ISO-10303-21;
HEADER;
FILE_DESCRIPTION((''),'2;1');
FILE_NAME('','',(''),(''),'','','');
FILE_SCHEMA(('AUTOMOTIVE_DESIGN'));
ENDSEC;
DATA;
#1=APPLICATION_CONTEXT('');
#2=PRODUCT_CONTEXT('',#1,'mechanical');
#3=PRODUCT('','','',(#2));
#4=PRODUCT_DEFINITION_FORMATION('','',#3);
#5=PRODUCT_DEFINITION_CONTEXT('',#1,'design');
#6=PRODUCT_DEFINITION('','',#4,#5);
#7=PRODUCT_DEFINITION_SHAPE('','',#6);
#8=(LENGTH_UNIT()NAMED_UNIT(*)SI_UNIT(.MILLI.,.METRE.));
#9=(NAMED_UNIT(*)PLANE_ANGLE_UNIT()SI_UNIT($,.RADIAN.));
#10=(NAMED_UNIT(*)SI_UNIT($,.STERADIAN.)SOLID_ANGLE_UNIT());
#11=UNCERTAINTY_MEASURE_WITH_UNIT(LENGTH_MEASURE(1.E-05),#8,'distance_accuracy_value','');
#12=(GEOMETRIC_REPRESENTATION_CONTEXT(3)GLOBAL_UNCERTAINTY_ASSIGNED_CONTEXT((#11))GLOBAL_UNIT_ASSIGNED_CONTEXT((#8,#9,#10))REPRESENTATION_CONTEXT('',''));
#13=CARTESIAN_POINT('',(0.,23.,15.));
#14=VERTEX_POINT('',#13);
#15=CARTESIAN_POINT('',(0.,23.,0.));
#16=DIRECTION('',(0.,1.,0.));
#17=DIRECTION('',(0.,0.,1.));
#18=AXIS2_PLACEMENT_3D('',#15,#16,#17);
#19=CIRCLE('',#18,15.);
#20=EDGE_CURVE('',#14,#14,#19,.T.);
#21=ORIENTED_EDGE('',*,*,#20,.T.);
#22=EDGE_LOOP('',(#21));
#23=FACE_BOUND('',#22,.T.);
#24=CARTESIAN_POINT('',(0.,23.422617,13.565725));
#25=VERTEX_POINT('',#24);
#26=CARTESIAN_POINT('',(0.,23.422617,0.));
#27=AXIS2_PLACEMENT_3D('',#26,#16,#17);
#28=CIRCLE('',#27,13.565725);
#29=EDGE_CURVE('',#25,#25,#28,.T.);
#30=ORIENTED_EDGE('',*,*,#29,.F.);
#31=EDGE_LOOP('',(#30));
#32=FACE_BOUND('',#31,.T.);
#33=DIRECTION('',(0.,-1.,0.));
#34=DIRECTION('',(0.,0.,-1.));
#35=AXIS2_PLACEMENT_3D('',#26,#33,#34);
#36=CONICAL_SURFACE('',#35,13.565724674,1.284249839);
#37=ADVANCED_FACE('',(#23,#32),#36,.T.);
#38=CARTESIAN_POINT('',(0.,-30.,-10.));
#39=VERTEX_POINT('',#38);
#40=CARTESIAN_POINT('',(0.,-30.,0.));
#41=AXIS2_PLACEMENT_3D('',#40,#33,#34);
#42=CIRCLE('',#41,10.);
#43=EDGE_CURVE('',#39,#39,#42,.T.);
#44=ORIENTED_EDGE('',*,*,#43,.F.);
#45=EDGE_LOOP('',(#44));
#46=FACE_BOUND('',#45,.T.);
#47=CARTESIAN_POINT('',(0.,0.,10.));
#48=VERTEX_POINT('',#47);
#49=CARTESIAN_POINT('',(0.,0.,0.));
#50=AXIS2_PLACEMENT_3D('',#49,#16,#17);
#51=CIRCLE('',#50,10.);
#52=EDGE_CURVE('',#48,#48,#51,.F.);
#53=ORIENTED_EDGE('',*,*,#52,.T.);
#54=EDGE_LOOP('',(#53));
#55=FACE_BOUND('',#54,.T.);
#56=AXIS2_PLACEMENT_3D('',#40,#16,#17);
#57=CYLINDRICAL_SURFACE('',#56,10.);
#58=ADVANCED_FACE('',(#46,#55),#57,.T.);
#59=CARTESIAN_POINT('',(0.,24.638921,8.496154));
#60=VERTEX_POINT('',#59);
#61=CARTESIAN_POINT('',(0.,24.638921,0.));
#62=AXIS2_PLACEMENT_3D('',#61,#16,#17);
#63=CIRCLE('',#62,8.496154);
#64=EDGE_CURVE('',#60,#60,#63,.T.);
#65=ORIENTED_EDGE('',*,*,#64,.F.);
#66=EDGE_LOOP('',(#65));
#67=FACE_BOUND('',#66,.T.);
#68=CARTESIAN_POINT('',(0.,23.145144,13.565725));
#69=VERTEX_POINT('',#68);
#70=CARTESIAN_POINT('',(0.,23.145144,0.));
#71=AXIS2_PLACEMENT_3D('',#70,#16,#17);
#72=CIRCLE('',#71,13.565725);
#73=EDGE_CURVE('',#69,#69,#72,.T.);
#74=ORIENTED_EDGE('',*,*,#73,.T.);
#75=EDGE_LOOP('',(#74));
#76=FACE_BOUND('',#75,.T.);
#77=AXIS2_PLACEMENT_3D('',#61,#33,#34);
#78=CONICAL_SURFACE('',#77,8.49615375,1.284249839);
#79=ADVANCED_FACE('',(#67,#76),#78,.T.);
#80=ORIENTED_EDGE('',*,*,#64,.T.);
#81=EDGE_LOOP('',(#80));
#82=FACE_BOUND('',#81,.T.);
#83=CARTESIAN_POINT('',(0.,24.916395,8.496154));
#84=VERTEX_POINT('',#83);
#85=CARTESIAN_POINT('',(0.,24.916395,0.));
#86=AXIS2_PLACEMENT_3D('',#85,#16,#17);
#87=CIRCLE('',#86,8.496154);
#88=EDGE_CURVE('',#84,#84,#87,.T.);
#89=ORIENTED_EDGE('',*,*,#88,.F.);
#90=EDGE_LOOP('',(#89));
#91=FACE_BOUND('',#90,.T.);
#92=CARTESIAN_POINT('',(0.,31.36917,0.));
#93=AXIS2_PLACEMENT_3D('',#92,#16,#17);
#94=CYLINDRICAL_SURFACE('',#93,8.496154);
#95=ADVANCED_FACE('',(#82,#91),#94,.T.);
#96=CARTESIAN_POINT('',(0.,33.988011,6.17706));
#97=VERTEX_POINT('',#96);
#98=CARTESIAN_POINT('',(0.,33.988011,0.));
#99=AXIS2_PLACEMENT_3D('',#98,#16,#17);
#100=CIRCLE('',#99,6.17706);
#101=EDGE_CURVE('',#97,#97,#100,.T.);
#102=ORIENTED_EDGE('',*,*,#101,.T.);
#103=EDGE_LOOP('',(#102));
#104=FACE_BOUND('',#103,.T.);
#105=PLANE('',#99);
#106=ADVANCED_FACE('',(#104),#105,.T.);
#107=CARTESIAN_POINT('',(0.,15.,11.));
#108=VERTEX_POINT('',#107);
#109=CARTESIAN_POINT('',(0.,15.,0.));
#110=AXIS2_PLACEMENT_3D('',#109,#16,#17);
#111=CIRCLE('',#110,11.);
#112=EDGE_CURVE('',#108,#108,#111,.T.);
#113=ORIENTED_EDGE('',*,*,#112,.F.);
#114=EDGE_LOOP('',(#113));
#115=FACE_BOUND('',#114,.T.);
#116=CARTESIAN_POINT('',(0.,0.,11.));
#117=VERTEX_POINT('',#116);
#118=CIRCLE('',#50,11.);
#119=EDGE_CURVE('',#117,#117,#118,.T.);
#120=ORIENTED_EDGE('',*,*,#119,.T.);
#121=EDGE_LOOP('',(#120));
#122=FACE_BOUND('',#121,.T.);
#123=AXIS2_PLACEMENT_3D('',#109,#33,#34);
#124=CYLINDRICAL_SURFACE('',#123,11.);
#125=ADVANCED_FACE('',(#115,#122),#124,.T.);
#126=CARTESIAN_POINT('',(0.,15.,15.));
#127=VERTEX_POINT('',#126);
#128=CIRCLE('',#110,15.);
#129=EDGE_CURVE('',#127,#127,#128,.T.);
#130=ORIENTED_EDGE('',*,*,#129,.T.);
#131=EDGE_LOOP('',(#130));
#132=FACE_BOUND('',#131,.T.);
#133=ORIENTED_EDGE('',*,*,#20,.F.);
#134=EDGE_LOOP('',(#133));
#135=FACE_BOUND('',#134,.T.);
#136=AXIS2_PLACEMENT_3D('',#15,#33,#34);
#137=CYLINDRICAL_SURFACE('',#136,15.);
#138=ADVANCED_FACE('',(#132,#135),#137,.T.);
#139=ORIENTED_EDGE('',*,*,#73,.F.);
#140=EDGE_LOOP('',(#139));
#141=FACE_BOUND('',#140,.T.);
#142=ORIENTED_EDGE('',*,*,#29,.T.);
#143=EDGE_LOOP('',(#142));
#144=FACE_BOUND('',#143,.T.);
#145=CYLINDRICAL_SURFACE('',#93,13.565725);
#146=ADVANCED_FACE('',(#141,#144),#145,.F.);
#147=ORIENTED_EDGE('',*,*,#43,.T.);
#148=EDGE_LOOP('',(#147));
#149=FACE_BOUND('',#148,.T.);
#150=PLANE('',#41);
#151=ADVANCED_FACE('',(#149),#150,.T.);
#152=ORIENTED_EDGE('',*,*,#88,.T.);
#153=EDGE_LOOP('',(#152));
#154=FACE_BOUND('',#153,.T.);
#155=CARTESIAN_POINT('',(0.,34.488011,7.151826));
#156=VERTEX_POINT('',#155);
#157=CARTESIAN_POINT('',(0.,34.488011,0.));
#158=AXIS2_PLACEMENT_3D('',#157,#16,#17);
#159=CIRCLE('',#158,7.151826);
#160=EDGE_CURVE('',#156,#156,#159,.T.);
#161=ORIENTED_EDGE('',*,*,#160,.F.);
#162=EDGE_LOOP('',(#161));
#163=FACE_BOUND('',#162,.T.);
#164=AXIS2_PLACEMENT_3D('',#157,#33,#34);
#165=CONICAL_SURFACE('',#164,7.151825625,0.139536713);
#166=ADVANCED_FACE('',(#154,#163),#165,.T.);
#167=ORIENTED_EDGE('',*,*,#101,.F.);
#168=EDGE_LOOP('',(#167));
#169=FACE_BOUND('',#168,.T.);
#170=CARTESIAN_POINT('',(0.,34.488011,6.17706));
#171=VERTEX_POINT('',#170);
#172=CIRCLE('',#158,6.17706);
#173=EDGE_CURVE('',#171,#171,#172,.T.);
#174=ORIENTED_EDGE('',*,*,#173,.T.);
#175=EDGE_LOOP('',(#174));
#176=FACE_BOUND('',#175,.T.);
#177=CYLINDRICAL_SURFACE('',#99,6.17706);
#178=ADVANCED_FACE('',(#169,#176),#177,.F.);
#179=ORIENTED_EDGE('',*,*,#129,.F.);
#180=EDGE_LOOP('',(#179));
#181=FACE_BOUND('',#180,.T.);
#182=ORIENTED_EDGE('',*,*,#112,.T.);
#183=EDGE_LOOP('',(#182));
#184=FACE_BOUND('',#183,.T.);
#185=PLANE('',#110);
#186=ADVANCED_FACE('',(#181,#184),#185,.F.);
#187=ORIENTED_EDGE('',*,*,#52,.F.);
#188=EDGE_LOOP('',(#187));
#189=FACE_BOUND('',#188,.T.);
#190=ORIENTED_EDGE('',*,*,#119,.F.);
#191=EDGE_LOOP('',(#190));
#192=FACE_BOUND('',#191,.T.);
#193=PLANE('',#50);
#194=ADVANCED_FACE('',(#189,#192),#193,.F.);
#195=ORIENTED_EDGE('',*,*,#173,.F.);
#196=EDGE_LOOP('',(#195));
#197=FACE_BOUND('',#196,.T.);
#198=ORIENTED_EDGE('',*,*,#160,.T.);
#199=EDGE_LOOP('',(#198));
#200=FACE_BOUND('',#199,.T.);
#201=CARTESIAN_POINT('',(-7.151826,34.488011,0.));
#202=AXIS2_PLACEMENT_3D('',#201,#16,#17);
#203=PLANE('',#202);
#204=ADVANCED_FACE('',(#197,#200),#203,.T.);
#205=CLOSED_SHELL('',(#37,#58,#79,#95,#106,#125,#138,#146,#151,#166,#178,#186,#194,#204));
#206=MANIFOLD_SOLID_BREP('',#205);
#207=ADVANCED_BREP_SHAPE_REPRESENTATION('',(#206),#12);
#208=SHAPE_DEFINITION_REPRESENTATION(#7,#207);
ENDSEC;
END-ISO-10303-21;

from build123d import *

# Parameters (mm, degrees)
SKETCH1_R           = 11
BOSS_EXTRUDE1_DEPTH = 15
SKETCH2_R           = 15
BOSS_EXTRUDE2_DEPTH = 8
SKETCH4_R           = 6.177060042
CUT_EXTRUDE1_DEPTH  = 0.5
SKETCH5_R           = 10
BOSS_EXTRUDE3_DEPTH = 30


with BuildPart() as part:
    # Sketch1 → Boss-Extrude1 (new body)
    with BuildSketch(Plane(origin=(0, 0, 0), x_dir=(1, 0, 0), z_dir=(0, 1, 0))):
        Circle(SKETCH1_R)
    extrude(amount=BOSS_EXTRUDE1_DEPTH)

    # Sketch2 → Boss-Extrude2 (add)
    with BuildSketch(Plane(origin=(0, 15, 0), x_dir=(1, 0, 0), z_dir=(0, 1, 0))):
        Circle(SKETCH2_R)
    extrude(amount=BOSS_EXTRUDE2_DEPTH)

    # Sketch3 → Revolve1 (revolve)
    with BuildSketch(Plane.XY):
        Polygon((-13.565724674, 23.42261725), (-15, 23), (0, 23), (0, 34.488010938), (-7.151825625, 34.488010938), (-8.49615375, 24.916394688), (-8.49615375, 24.638921263), (-13.565724674, 23.145143825), align=None)
    revolve(axis=Axis((0, 31.369169688, 0), (0, -1, 0)))

    # Sketch4 → Cut-Extrude1 (cut)
    with BuildSketch(Plane(origin=(0, 34.488010938, 0), x_dir=(1, 0, 0), z_dir=(0, 1, 0))):
        Circle(SKETCH4_R)
    extrude(amount=-CUT_EXTRUDE1_DEPTH, mode=Mode.SUBTRACT)

    # Sketch5 → Boss-Extrude3 (add)
    with BuildSketch(Plane.XZ):
        Circle(SKETCH5_R)
    extrude(amount=BOSS_EXTRUDE3_DEPTH)


solid = part.part
